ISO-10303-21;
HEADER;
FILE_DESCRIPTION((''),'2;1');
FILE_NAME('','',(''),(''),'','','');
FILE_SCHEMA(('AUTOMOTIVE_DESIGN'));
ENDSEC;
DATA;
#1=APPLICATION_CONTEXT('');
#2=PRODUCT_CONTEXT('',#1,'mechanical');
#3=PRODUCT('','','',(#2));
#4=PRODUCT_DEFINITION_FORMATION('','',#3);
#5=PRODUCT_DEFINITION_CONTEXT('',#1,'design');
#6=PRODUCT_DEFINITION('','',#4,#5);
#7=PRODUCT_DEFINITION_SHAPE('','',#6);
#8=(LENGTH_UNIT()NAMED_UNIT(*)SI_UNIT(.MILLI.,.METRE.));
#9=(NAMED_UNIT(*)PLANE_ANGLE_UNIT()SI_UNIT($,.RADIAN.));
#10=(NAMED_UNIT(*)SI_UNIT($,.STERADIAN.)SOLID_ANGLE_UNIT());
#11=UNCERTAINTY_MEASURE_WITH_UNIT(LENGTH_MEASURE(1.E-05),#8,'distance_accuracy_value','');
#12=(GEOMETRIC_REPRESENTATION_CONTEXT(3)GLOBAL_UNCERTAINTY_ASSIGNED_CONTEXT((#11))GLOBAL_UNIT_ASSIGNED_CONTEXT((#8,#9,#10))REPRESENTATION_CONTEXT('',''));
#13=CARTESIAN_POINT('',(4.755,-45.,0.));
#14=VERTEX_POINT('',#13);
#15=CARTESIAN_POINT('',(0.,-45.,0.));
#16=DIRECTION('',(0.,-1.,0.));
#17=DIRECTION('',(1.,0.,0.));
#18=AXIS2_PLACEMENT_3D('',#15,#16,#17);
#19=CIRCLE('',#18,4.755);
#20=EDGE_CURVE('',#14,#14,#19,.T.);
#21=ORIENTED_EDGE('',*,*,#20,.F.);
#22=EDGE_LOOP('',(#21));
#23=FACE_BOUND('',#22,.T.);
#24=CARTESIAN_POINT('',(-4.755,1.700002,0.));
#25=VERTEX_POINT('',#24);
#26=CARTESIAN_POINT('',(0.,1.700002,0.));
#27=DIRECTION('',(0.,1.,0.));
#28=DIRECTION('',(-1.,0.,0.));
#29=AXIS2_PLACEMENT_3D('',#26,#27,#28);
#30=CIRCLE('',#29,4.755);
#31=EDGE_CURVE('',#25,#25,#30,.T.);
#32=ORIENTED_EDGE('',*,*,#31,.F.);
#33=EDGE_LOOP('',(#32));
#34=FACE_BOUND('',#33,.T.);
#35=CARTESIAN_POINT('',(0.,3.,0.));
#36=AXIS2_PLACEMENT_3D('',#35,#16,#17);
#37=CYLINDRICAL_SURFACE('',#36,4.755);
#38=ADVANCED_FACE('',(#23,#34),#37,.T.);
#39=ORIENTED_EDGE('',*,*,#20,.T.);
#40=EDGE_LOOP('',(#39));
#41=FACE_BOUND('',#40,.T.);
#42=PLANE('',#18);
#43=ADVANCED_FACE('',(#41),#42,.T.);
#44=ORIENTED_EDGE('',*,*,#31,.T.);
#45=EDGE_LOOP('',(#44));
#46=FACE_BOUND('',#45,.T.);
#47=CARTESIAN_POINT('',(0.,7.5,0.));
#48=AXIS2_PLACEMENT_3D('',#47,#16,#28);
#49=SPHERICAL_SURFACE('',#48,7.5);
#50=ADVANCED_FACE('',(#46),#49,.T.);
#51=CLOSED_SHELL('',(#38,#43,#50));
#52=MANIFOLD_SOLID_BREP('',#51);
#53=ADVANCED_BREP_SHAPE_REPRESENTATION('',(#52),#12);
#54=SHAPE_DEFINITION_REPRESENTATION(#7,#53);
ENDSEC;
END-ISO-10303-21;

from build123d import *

# Parameters (mm, degrees)
SKETCH2_R           = 4.755
BOSS_EXTRUDE1_DEPTH = 3
SKETCH3_R           = 4.755
BOSS_EXTRUDE2_DEPTH = 45


with BuildPart() as part:
    # Sketch1 → Revolve1 (revolve)
    with BuildSketch(Plane.XY):
        with BuildLine():
            Line((0, 0), (0, 15))
            ThreePointArc((0, 15), (-7.5, 7.5), (0, 0))
        make_face()
    revolve(axis=Axis((0, 0, 0), (0, 1, 0)))

    # Sketch2 → Boss-Extrude1 (add)
    with BuildSketch(Plane(origin=(0, 0, 0), x_dir=(-1, 0, 0), z_dir=(0, -1, 0))):
        Circle(SKETCH2_R)
    extrude(amount=-BOSS_EXTRUDE1_DEPTH)

    # Sketch3 → Boss-Extrude2 (add)
    with BuildSketch(Plane(origin=(0, 0, 0), x_dir=(-1, 0, 0), z_dir=(0, -1, 0))):
        Circle(SKETCH3_R)
    extrude(amount=BOSS_EXTRUDE2_DEPTH)


solid = part.part
